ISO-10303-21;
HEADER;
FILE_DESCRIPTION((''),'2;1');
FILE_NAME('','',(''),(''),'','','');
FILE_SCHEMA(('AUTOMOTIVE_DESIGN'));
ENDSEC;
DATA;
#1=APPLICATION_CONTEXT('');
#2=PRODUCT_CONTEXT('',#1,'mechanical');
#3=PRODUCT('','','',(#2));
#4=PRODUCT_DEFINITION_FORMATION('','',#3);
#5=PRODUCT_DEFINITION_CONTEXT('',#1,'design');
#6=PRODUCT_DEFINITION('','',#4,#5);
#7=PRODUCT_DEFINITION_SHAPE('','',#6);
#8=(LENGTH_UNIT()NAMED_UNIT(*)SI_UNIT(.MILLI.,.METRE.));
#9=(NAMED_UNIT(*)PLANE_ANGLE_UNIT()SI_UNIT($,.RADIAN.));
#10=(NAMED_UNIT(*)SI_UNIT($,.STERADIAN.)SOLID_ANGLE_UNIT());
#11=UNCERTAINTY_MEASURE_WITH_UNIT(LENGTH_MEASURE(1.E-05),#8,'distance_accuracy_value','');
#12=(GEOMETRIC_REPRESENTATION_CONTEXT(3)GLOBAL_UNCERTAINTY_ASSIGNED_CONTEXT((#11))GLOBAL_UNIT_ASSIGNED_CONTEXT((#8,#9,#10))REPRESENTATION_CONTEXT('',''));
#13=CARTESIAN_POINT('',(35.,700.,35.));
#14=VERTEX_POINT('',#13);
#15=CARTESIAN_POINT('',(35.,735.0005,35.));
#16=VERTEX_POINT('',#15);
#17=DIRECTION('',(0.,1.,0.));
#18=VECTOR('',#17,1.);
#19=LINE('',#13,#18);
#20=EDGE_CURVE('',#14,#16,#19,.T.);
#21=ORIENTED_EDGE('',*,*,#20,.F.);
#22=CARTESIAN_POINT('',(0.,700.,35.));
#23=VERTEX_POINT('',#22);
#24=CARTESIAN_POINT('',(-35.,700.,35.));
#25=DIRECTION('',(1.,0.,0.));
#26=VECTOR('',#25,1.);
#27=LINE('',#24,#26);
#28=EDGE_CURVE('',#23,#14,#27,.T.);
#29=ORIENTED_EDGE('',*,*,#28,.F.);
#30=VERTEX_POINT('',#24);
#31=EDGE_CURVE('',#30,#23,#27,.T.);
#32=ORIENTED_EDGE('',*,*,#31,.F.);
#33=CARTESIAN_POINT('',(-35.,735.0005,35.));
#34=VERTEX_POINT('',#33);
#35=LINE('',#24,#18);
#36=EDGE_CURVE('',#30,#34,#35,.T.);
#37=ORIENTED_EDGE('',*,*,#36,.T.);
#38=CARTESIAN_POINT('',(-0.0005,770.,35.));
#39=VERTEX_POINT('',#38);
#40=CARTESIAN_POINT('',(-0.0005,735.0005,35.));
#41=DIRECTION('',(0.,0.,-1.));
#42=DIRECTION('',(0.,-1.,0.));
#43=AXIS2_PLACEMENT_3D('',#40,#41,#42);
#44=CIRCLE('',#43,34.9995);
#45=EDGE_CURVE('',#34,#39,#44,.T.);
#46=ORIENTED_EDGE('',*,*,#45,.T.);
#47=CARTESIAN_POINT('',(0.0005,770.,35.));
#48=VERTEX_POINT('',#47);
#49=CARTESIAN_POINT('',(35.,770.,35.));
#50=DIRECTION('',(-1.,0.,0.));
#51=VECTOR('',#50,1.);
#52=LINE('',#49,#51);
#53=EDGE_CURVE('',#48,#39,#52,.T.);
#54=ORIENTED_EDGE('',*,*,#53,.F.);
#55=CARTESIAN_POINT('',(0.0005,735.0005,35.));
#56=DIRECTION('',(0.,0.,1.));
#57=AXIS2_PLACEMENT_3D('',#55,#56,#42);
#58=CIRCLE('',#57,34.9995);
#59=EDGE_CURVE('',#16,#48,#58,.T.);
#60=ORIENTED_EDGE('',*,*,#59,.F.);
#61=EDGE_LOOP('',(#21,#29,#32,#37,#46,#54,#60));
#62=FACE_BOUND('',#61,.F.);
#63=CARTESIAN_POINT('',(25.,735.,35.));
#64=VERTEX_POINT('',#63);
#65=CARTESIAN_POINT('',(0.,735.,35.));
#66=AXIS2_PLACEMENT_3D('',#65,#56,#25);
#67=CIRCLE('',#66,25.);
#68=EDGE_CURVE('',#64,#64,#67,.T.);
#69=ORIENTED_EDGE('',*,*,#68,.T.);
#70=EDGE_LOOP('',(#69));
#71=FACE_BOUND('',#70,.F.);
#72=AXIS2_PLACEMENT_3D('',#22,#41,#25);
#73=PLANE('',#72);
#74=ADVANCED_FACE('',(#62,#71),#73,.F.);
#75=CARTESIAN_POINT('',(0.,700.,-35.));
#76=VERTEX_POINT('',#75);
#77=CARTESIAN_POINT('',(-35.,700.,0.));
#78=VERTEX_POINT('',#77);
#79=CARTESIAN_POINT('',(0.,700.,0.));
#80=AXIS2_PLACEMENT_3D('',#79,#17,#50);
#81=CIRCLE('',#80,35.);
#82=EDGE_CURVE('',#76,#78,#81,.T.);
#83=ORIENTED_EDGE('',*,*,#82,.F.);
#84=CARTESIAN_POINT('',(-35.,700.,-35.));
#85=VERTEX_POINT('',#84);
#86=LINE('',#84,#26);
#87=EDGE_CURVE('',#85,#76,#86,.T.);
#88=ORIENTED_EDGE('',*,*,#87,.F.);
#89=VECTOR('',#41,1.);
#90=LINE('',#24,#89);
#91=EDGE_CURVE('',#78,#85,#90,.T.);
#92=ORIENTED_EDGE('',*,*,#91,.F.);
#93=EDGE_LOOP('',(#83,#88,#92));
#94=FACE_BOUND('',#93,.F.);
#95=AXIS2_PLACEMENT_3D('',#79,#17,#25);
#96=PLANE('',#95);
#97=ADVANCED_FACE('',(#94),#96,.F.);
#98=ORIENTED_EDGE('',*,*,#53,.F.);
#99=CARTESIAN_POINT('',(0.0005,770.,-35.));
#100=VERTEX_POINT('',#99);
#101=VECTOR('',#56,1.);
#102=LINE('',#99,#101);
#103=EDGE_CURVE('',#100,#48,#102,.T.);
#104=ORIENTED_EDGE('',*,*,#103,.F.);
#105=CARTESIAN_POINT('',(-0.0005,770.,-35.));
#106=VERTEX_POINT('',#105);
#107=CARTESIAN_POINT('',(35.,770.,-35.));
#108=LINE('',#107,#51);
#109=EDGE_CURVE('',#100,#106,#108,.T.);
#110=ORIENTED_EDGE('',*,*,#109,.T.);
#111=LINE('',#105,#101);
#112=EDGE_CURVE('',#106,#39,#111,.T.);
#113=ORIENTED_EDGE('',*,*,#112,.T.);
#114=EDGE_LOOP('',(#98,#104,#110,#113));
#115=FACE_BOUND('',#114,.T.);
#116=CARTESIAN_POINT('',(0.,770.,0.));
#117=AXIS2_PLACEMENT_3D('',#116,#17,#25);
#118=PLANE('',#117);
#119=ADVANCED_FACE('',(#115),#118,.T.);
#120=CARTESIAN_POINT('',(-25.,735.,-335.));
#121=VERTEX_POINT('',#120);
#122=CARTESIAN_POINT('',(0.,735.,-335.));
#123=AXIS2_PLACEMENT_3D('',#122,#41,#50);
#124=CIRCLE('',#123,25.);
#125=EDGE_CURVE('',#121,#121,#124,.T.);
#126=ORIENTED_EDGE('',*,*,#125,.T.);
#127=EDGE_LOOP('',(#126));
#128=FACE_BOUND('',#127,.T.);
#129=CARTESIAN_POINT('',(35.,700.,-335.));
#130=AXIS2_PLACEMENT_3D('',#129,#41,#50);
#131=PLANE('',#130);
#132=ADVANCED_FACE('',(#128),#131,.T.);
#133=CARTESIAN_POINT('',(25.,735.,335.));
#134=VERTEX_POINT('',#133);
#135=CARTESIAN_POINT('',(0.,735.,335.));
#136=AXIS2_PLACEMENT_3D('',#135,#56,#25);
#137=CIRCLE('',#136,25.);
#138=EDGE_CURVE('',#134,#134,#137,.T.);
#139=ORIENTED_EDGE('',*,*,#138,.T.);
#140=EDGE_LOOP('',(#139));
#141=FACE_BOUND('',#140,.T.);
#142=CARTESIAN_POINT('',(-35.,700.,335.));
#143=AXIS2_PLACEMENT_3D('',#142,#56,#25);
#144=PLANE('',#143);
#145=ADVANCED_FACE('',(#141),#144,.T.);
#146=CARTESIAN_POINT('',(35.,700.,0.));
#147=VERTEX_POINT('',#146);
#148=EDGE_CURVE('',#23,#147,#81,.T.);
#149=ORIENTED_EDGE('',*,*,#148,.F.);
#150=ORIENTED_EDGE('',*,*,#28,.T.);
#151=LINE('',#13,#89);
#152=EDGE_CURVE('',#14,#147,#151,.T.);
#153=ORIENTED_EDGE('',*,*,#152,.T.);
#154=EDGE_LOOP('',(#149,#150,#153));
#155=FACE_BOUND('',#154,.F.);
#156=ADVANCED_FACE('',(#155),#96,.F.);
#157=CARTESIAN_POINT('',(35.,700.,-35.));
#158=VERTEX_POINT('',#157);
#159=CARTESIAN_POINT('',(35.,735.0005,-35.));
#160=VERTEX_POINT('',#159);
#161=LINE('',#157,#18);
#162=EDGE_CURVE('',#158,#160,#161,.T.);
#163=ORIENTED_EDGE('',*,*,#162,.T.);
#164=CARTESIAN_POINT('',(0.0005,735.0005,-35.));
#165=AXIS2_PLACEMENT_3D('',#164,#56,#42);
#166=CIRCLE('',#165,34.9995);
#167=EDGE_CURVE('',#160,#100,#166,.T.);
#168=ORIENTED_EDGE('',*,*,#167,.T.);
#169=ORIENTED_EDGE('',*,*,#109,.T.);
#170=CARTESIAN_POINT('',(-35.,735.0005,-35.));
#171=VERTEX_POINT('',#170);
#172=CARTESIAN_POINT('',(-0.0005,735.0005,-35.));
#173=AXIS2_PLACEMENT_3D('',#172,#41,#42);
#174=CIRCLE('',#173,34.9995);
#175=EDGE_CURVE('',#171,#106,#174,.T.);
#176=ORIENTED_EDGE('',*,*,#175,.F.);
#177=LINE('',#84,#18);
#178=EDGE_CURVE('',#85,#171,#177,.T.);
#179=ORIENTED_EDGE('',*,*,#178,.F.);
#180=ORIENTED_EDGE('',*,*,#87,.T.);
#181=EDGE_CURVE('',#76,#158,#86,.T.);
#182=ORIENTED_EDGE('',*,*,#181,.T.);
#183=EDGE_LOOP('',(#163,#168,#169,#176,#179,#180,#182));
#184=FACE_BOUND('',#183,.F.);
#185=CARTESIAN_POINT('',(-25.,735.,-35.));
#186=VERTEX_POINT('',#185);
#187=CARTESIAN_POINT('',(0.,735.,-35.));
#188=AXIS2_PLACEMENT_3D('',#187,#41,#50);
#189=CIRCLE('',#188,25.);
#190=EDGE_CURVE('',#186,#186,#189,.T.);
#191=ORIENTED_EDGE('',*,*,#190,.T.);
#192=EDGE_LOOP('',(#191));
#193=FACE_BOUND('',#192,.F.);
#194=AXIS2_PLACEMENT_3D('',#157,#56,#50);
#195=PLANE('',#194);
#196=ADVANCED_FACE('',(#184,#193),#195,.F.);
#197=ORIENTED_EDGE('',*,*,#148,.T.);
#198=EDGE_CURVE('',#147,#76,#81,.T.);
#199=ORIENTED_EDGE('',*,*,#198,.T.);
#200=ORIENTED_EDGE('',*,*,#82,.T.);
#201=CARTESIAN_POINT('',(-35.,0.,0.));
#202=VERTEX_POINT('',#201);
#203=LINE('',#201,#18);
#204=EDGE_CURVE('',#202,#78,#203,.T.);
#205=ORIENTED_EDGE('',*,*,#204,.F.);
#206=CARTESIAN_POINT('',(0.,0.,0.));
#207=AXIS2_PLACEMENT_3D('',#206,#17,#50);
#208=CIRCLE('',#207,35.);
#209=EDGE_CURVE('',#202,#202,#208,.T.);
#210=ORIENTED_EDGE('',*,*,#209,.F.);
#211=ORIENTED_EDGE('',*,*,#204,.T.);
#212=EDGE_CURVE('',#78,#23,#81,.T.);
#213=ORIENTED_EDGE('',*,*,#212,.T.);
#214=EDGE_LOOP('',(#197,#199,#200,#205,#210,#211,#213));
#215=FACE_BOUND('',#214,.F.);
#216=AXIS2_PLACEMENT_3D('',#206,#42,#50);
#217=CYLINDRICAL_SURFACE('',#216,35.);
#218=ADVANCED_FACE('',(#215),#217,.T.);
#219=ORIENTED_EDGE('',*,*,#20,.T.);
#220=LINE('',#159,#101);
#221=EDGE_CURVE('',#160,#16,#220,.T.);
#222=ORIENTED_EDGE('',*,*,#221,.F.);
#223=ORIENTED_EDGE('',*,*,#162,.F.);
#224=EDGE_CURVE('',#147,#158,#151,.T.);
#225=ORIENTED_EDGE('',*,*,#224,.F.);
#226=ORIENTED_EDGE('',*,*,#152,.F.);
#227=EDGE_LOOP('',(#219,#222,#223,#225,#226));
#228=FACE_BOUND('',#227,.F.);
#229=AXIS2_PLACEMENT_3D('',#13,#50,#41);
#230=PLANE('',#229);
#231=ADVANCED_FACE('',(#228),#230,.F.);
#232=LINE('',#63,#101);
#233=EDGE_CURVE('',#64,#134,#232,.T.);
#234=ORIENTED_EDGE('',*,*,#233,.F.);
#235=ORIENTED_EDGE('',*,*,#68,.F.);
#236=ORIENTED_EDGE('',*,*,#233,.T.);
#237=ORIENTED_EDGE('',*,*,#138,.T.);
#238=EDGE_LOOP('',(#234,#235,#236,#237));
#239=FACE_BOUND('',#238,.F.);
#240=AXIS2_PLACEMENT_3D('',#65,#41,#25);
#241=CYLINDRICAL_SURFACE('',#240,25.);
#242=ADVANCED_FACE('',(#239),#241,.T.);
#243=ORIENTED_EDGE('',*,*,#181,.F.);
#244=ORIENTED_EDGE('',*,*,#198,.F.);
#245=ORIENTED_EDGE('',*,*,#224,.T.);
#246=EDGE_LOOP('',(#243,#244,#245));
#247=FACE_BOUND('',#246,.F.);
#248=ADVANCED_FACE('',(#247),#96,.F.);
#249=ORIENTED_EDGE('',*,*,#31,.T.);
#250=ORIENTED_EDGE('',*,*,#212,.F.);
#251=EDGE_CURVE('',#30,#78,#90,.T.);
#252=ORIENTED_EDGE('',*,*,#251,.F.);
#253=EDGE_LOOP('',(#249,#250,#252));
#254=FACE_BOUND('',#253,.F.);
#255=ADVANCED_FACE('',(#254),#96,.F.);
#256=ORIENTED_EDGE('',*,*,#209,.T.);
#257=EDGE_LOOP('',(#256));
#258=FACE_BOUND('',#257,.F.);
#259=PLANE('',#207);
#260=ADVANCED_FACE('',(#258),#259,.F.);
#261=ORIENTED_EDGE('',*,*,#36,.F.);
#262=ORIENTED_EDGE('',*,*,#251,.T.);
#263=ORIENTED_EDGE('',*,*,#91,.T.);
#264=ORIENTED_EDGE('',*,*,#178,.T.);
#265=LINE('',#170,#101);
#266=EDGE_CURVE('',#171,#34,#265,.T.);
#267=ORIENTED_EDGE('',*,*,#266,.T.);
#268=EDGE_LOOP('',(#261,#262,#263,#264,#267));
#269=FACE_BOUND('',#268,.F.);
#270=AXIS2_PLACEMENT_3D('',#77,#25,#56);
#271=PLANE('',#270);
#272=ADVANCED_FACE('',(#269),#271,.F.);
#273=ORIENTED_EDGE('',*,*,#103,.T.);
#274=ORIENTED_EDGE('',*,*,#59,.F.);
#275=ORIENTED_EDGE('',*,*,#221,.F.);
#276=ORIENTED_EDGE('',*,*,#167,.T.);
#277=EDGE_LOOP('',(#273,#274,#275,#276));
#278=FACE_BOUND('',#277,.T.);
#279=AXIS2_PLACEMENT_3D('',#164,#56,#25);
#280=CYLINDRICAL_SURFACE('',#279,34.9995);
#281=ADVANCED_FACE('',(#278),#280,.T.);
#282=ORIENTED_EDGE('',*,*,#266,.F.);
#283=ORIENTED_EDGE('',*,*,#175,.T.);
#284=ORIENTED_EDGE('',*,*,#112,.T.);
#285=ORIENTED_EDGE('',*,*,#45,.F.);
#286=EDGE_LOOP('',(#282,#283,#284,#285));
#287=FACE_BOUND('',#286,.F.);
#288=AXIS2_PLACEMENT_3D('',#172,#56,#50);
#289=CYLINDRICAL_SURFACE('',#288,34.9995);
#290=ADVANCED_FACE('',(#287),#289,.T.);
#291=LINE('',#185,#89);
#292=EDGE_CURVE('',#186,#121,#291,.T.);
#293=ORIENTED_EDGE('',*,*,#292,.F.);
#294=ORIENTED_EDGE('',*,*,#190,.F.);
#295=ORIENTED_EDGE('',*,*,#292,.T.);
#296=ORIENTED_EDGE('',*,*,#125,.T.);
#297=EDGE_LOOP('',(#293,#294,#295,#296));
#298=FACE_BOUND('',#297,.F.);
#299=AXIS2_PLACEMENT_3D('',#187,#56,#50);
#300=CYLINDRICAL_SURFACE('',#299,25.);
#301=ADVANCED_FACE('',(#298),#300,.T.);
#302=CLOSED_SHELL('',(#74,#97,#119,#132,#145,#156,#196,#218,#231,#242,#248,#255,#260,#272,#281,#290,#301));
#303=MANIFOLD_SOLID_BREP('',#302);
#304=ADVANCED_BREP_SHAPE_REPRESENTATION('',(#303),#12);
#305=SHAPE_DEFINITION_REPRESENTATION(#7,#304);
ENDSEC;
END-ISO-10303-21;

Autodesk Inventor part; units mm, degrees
ref_plane "YZ Plane" through (0, 0, 0) normal (1, 0, 0) x (0, 1, 0)
ref_plane "XZ Plane" through (0, 0, 0) normal (0, 1, 0) x (-1, 0, 0)
ref_plane "XY Plane" through (0, 0, 0) normal (0, 0, 1) x (1, 0, 0)
sketch "Sketch1" plane through (0, 0, 0) normal (0, 1, 0) x (-1, 0, 0)
  circle A0 centre (0, 0) radius 35
  dimension "d0" = 70
extrude "Extrusion1" add sketch "Sketch1" along normal blind 700
sketch "Sketch2" plane through (0, 700, 0) normal (0, 1, 0) x (1, 0, 0)
  line L0 (0, 0) -> (0, -35)
  line L1 (0, -35) -> (35, -35)
  line L2 (35, -35) -> (35, 35)
  line L3 (35, 35) -> (-35, 35)
  line L4 (-35, 35) -> (-35, -35)
  circle A0 centre (0, 0) radius 35 projected
  line L5 (-35, -35) -> (0, -35)
  dimension "d3" = 35
  dimension "d4" = 35
  dimension "d5" = 70
  dimension "d6" = 70
  dimension "d7" = 70
extrude "Extrusion2" add sketch "Sketch2" along normal blind 70
sketch "Sketch3" plane through (-35, 700, 35) normal (0, 0, 1) x (1, 0, 0)
  circle A0 centre (35, 35) radius 25
  point P0 (35, -700)
  dimension "d10" = 50
extrude "Extrusion3" add sketch "Sketch3" along normal blind 300
sketch "Sketch4" plane through (35, 700, -35) normal (0, 0, -1) x (-1, 0, 0)
  line L0 (70, 70) -> (70, 35)
  line L1 (70, 0) -> (70, 70) projected
  line L2 (70, 35) -> (35, 35)
  circle A0 centre (35, 35) radius 25
  point P0 (35, -700)
  dimension "d13" = 35
  dimension "d14" = 35
  dimension "d15" = 50
extrude "Extrusion4" add sketch "Sketch4" along normal blind 300
fillet "Fillet1" radius 35 2 edges at (35, 770, 0) (-35, 770, 0)
thread "Thread1" size "M70x6" class "6g" standard "ANSI Metric M Profile" length 600 offset 50
properties part number "fuso"
